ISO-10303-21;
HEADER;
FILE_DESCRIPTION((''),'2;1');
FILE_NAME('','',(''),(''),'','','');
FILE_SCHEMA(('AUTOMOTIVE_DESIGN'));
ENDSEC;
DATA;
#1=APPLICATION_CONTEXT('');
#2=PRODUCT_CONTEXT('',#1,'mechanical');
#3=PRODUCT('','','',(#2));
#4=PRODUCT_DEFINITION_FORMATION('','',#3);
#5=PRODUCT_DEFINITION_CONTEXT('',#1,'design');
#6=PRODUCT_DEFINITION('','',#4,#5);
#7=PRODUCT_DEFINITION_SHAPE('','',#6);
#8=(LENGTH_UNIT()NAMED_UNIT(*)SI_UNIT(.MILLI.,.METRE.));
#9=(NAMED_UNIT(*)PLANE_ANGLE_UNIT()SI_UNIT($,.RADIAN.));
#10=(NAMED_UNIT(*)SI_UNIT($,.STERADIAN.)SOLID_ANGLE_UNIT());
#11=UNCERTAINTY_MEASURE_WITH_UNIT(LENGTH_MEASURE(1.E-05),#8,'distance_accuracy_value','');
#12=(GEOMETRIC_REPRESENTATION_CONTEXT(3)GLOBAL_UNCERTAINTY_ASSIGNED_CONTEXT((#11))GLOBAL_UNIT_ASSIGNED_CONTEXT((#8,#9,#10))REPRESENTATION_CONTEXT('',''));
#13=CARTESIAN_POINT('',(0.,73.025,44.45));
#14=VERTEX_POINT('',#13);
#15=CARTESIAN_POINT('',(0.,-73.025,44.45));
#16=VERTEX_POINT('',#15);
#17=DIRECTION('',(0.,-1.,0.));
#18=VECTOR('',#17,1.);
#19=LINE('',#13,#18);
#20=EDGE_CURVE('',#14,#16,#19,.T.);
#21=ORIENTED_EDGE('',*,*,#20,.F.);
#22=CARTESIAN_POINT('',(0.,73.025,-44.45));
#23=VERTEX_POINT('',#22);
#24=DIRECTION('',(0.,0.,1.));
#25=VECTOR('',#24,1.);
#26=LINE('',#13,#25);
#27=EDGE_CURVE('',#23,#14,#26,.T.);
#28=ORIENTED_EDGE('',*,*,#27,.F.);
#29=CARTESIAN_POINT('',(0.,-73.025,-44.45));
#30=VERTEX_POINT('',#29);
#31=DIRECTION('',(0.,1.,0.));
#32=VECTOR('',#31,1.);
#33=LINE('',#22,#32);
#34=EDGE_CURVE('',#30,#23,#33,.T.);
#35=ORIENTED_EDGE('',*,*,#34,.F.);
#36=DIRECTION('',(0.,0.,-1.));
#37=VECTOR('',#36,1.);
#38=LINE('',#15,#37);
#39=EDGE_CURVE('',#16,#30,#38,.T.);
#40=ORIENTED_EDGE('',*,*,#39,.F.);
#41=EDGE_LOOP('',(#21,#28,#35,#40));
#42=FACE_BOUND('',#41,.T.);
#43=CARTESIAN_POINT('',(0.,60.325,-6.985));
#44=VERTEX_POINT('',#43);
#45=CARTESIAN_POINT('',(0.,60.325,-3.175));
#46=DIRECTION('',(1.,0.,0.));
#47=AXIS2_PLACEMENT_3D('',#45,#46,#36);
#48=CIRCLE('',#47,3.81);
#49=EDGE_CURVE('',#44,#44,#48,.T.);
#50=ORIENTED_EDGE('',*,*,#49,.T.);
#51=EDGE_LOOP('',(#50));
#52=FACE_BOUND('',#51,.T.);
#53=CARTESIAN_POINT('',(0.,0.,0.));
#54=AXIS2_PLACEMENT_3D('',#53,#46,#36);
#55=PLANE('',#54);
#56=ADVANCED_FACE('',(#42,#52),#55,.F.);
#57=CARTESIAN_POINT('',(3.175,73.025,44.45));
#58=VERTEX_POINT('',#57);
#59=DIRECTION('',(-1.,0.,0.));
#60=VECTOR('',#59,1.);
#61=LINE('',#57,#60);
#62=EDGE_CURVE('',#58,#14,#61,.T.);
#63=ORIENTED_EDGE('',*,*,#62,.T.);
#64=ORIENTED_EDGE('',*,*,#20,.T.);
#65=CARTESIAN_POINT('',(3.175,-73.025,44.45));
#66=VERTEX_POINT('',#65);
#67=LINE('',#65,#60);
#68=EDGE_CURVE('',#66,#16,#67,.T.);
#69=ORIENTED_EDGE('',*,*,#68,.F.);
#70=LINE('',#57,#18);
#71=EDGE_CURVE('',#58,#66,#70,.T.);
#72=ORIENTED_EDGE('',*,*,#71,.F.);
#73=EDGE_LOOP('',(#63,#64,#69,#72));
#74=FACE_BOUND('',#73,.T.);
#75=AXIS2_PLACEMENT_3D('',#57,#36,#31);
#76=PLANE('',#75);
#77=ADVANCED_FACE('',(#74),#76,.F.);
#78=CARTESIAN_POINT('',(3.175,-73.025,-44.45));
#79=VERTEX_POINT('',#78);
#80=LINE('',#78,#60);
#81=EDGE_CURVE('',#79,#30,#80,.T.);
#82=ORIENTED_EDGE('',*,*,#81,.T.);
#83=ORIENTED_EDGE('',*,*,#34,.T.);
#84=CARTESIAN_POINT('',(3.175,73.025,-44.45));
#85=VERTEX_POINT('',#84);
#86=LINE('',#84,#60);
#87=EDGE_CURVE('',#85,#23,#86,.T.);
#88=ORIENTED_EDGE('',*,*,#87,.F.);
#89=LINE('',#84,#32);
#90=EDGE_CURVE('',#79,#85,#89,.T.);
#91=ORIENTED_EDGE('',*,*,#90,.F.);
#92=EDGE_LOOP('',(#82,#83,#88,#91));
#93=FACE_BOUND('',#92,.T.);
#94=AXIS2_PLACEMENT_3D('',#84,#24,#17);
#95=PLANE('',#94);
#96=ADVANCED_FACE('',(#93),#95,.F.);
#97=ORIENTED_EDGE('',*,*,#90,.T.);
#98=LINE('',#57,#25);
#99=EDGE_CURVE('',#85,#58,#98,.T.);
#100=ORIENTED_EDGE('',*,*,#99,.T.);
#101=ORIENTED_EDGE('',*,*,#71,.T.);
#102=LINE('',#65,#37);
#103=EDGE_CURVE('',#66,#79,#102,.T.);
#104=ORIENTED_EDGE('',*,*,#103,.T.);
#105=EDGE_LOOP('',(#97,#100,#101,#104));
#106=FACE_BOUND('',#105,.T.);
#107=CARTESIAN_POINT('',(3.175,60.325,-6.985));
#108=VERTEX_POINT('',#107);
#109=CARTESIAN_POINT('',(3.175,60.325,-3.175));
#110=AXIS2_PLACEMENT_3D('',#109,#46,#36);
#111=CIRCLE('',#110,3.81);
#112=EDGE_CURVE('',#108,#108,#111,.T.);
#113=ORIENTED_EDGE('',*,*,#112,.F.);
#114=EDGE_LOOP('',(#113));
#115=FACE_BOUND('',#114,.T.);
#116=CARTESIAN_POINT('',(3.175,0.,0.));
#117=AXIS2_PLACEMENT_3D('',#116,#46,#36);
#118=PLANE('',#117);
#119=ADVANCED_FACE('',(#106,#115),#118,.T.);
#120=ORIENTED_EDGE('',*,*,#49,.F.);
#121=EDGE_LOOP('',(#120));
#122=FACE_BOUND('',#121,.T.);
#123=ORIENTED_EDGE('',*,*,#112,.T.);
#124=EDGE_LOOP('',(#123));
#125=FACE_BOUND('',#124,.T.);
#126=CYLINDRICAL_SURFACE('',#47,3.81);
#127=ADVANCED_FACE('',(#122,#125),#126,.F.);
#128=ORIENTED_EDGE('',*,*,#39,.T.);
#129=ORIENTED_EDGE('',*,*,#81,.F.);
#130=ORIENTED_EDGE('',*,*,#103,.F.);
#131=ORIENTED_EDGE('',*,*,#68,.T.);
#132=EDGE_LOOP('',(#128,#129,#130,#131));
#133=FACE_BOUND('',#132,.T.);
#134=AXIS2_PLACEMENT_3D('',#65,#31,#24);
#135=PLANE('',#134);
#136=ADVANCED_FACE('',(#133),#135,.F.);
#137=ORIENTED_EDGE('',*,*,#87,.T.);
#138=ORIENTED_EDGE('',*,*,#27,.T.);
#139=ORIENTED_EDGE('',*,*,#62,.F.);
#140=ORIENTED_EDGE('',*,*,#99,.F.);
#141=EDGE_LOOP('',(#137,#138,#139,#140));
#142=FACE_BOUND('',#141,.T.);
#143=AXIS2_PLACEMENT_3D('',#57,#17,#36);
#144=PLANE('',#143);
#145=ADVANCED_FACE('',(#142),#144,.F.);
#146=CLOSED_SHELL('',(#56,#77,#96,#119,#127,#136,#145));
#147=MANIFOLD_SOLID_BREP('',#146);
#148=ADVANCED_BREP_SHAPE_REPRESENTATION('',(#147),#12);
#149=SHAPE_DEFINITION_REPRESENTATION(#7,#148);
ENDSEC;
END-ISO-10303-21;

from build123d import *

# Parameters (mm, degrees)
SKETCH1_W           = 88.9
SKETCH1_H           = 146.05
BOSS_EXTRUDE1_DEPTH = 3.175
SKETCH2_R           = 3.81
CUT_EXTRUDE1_DEPTH  = 86.548429267


with BuildPart() as part:
    # Sketch1 → Boss-Extrude1 (new body)
    with BuildSketch(Plane(origin=(0, 0, 0), x_dir=(0, 0, -1), z_dir=(1, 0, 0))):
        Rectangle(SKETCH1_W, SKETCH1_H)
    extrude(amount=BOSS_EXTRUDE1_DEPTH)

    # Sketch2 → Cut-Extrude1 (cut, through all)
    with BuildSketch(Plane(origin=(3.175, 0, 0), x_dir=(0, 0, -1), z_dir=(1, 0, 0))):
        with Locations((3.175, 60.325)):
            Circle(SKETCH2_R)
    extrude(amount=-CUT_EXTRUDE1_DEPTH, mode=Mode.SUBTRACT)


solid = part.part
